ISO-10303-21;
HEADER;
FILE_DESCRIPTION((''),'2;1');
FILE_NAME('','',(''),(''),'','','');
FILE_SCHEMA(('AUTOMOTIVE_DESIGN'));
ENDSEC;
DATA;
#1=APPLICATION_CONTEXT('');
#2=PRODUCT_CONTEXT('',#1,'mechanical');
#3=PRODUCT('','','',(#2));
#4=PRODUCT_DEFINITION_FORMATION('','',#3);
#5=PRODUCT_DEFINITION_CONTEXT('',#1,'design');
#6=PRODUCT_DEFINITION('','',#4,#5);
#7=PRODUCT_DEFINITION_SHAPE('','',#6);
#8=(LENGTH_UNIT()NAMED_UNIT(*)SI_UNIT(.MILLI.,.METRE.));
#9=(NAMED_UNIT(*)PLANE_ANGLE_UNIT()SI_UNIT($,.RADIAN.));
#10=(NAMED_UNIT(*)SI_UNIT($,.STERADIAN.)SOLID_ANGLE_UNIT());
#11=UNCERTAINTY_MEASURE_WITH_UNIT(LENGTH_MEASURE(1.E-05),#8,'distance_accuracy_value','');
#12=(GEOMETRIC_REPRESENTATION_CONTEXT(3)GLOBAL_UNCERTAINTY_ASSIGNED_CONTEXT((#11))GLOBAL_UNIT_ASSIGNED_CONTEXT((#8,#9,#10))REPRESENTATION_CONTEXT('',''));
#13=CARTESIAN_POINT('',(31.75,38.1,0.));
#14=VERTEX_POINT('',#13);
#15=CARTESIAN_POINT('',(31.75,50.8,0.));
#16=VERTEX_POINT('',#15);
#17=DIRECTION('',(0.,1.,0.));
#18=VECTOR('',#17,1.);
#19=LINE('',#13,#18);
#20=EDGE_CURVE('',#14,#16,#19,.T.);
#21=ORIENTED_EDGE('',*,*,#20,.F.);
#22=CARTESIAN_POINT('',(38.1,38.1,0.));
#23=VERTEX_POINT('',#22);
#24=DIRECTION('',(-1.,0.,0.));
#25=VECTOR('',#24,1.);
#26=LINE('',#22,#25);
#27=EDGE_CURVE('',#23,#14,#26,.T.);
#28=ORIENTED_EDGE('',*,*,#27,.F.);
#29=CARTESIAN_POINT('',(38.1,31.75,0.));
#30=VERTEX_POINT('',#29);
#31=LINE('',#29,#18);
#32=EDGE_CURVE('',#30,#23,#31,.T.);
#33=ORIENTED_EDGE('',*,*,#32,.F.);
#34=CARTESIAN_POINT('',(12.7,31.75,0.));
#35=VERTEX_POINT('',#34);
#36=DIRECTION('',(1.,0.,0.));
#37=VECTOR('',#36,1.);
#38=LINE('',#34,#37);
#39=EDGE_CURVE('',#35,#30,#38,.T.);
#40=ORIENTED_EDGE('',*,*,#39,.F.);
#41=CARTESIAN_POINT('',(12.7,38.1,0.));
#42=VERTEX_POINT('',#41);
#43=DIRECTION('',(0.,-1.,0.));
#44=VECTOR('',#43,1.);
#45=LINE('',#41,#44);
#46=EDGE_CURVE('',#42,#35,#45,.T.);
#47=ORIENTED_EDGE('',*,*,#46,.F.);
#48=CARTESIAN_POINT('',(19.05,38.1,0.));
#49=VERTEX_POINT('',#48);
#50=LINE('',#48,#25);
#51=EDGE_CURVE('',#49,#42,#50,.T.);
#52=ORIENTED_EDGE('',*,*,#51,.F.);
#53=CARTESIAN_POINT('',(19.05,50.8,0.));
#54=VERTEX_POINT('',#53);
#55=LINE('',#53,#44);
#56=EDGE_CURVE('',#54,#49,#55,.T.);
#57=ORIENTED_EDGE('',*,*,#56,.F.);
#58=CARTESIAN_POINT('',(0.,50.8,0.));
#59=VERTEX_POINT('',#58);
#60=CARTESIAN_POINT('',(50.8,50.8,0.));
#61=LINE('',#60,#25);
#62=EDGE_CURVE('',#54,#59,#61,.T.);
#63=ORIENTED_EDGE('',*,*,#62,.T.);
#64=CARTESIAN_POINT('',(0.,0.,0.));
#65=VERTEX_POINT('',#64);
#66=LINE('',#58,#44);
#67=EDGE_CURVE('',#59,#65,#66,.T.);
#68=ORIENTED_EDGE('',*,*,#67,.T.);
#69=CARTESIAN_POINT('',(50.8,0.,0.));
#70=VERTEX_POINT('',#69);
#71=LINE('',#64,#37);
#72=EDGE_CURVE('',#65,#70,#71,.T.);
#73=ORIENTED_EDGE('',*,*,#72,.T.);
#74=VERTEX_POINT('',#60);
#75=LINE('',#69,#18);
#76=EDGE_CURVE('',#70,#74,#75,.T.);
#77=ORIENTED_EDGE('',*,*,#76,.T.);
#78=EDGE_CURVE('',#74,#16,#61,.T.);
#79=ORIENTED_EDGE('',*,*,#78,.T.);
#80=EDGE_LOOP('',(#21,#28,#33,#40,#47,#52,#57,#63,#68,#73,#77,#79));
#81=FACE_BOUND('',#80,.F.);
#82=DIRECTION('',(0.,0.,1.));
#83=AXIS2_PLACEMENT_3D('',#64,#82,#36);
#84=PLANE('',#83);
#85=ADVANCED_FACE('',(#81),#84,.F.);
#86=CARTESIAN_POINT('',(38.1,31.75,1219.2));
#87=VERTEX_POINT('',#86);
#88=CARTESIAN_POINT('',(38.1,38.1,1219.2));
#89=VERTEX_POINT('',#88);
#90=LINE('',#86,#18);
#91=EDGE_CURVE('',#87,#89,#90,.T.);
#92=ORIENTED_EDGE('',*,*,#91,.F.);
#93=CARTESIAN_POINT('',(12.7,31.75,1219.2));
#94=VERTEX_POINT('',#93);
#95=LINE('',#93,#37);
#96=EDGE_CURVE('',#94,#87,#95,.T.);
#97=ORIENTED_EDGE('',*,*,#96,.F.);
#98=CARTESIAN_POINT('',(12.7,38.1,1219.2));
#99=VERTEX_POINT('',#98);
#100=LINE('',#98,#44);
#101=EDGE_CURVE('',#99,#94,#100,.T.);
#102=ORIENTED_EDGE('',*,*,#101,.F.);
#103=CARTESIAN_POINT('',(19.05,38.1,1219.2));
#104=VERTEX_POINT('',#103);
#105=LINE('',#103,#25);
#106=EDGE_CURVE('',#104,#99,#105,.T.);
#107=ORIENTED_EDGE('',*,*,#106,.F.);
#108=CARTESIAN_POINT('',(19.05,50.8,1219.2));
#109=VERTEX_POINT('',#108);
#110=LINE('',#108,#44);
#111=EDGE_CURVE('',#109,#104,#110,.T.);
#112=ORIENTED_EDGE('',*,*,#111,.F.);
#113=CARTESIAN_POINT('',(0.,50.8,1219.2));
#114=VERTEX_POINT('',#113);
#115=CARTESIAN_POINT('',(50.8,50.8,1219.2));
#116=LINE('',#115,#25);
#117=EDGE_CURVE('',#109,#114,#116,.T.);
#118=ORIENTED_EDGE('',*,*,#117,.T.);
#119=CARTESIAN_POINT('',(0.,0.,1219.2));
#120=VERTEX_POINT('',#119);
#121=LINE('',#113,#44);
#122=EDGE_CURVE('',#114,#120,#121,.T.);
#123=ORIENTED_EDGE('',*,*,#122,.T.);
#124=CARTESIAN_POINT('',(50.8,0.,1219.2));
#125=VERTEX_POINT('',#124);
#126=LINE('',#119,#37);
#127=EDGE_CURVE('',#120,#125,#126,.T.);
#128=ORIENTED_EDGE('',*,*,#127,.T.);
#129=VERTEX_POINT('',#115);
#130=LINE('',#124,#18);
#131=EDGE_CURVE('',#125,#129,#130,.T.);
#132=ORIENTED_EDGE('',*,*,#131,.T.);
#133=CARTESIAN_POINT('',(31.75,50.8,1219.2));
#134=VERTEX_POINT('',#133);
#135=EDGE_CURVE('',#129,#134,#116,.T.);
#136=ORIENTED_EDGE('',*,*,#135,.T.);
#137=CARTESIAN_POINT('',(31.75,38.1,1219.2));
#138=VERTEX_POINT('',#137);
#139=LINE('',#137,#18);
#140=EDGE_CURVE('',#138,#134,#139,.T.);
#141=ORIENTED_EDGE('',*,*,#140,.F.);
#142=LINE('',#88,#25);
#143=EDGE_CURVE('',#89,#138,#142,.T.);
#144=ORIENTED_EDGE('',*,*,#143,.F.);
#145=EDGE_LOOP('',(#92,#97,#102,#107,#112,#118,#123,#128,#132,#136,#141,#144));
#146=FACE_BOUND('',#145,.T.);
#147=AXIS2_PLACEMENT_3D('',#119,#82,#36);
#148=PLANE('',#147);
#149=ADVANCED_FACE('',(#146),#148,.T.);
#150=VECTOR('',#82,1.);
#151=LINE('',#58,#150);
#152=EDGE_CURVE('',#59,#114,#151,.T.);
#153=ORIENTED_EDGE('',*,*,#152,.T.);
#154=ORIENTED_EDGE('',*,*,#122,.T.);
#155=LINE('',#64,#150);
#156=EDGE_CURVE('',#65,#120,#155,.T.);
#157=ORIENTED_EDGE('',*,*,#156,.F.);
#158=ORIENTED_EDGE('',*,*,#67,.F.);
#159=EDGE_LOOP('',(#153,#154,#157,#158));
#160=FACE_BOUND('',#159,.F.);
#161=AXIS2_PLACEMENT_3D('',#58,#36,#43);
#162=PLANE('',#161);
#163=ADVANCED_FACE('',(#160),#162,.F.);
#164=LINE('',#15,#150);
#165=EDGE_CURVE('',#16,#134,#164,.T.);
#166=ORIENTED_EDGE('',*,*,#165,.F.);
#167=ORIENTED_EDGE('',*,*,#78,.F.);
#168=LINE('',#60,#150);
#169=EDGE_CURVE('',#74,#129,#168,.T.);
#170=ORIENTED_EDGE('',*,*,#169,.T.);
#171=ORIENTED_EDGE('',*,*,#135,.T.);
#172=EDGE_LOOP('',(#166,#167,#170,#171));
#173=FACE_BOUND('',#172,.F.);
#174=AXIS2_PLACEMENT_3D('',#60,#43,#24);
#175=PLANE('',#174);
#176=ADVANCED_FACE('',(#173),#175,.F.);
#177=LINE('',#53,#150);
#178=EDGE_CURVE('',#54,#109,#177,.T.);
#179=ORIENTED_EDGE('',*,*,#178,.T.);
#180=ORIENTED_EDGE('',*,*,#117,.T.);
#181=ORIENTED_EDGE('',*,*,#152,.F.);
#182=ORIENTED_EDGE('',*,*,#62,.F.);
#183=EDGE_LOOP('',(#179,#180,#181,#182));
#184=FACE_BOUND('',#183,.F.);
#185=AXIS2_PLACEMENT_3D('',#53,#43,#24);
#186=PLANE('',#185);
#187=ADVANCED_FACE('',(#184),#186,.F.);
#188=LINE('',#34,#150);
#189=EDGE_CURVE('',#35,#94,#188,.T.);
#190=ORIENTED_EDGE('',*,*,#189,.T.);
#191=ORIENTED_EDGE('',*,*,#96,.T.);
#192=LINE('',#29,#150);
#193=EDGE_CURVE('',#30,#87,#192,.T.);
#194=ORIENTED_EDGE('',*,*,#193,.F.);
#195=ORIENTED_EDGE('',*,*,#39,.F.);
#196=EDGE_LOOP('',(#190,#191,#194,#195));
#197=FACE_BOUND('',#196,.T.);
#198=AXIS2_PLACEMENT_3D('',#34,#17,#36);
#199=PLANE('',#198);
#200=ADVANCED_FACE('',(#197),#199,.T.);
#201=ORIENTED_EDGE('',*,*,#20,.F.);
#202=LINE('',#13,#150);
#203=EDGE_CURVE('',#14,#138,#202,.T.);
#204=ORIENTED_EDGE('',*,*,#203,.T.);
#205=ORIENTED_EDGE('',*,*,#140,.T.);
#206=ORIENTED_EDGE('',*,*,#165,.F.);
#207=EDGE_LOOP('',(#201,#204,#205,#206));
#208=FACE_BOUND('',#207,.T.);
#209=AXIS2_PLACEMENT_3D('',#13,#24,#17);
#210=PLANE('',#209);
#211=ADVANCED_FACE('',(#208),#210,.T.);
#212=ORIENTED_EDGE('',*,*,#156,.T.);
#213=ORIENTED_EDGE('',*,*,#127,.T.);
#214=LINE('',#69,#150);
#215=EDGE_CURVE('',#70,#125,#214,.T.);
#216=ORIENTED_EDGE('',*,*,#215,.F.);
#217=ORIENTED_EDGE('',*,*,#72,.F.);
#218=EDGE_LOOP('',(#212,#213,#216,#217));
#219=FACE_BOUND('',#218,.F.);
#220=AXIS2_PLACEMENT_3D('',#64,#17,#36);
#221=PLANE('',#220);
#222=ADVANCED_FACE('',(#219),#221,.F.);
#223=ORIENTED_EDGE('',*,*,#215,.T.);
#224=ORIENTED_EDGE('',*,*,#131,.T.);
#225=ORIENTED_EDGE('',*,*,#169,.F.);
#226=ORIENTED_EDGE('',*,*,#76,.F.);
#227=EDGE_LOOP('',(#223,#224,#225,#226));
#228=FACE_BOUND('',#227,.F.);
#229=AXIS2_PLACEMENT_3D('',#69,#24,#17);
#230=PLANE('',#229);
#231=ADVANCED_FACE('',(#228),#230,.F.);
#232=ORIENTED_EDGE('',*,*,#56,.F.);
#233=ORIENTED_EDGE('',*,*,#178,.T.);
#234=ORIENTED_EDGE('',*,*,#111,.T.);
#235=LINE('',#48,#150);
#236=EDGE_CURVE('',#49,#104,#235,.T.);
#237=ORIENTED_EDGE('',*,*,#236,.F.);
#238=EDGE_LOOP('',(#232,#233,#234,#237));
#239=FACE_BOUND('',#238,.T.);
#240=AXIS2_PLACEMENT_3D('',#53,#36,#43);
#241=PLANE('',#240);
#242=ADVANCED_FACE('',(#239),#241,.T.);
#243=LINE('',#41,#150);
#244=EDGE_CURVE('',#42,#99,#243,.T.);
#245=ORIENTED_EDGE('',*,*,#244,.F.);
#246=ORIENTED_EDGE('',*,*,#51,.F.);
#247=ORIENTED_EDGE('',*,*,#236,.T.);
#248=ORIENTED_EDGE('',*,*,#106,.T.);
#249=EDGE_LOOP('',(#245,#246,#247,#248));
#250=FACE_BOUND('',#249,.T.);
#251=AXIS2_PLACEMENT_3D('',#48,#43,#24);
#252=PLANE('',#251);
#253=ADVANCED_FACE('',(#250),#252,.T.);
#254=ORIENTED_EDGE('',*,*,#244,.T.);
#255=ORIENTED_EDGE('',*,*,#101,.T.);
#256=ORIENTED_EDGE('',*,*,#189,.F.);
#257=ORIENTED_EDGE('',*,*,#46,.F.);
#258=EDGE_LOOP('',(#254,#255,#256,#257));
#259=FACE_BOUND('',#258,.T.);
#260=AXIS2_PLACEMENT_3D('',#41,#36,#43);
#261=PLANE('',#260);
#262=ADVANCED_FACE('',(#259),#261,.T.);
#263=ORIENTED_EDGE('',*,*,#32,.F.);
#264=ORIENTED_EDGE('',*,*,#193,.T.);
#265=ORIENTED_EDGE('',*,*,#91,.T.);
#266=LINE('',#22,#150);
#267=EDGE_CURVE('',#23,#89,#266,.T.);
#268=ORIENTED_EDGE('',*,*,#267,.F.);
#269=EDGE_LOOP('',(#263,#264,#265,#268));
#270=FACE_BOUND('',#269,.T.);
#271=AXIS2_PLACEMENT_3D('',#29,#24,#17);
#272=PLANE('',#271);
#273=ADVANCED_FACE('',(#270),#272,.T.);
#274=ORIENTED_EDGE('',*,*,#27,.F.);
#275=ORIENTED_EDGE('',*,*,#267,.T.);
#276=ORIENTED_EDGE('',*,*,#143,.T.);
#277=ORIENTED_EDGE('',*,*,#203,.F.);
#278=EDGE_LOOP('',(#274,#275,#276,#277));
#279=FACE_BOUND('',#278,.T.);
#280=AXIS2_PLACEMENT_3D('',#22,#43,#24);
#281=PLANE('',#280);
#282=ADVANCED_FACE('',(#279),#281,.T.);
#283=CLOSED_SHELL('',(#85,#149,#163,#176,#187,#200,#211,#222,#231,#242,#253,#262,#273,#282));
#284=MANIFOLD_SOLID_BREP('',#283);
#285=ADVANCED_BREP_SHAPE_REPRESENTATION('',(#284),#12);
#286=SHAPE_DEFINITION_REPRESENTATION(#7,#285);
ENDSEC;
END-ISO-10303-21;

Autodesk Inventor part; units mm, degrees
ref_plane "YZ Plane" through (0, 0, 0) normal (1, 0, 0) x (0, 1, 0)
ref_plane "XZ Plane" through (0, 0, 0) normal (0, 1, 0) x (-1, 0, 0)
ref_plane "XY Plane" through (0, 0, 0) normal (0, 0, 1) x (1, 0, 0)
sketch "Sketch1" plane through (0, 0, 0) normal (0, 0, 1) x (1, 0, 0)
  line L0 (0, 0) -> (50.8, 0)
  line L1 (50.8, 0) -> (50.8, 50.8)
  line L2 (50.8, 50.8) -> (0, 50.8)
  line L3 (0, 50.8) -> (0, 0)
  line L4 (19.05, 50.8) -> (19.05, 38.1)
  line L5 (19.05, 38.1) -> (12.7, 38.1)
  line L6 (12.7, 38.1) -> (12.7, 31.75)
  line L7 (12.7, 31.75) -> (38.1, 31.75)
  line L8 (38.1, 31.75) -> (38.1, 38.1)
  line L9 (38.1, 38.1) -> (31.75, 38.1)
  line L10 (31.75, 38.1) -> (31.75, 50.8)
  dimension "d0" = 50.8
  dimension "d1" = 50.8
  dimension "d2" = 19.05
  dimension "d3" = 19.05
  dimension "d4" = 12.7
  dimension "d5" = 12.7
  dimension "d6" = 6.35
  dimension "d7" = 6.35
  dimension "d8" = 6.35
extrude "Extrusion1" add sketch "Sketch1" along normal blind 1219.2 contours L3 L2 L4 L5 L6 L7 L8 L9 L10 L1 L0
properties part number "rail"
